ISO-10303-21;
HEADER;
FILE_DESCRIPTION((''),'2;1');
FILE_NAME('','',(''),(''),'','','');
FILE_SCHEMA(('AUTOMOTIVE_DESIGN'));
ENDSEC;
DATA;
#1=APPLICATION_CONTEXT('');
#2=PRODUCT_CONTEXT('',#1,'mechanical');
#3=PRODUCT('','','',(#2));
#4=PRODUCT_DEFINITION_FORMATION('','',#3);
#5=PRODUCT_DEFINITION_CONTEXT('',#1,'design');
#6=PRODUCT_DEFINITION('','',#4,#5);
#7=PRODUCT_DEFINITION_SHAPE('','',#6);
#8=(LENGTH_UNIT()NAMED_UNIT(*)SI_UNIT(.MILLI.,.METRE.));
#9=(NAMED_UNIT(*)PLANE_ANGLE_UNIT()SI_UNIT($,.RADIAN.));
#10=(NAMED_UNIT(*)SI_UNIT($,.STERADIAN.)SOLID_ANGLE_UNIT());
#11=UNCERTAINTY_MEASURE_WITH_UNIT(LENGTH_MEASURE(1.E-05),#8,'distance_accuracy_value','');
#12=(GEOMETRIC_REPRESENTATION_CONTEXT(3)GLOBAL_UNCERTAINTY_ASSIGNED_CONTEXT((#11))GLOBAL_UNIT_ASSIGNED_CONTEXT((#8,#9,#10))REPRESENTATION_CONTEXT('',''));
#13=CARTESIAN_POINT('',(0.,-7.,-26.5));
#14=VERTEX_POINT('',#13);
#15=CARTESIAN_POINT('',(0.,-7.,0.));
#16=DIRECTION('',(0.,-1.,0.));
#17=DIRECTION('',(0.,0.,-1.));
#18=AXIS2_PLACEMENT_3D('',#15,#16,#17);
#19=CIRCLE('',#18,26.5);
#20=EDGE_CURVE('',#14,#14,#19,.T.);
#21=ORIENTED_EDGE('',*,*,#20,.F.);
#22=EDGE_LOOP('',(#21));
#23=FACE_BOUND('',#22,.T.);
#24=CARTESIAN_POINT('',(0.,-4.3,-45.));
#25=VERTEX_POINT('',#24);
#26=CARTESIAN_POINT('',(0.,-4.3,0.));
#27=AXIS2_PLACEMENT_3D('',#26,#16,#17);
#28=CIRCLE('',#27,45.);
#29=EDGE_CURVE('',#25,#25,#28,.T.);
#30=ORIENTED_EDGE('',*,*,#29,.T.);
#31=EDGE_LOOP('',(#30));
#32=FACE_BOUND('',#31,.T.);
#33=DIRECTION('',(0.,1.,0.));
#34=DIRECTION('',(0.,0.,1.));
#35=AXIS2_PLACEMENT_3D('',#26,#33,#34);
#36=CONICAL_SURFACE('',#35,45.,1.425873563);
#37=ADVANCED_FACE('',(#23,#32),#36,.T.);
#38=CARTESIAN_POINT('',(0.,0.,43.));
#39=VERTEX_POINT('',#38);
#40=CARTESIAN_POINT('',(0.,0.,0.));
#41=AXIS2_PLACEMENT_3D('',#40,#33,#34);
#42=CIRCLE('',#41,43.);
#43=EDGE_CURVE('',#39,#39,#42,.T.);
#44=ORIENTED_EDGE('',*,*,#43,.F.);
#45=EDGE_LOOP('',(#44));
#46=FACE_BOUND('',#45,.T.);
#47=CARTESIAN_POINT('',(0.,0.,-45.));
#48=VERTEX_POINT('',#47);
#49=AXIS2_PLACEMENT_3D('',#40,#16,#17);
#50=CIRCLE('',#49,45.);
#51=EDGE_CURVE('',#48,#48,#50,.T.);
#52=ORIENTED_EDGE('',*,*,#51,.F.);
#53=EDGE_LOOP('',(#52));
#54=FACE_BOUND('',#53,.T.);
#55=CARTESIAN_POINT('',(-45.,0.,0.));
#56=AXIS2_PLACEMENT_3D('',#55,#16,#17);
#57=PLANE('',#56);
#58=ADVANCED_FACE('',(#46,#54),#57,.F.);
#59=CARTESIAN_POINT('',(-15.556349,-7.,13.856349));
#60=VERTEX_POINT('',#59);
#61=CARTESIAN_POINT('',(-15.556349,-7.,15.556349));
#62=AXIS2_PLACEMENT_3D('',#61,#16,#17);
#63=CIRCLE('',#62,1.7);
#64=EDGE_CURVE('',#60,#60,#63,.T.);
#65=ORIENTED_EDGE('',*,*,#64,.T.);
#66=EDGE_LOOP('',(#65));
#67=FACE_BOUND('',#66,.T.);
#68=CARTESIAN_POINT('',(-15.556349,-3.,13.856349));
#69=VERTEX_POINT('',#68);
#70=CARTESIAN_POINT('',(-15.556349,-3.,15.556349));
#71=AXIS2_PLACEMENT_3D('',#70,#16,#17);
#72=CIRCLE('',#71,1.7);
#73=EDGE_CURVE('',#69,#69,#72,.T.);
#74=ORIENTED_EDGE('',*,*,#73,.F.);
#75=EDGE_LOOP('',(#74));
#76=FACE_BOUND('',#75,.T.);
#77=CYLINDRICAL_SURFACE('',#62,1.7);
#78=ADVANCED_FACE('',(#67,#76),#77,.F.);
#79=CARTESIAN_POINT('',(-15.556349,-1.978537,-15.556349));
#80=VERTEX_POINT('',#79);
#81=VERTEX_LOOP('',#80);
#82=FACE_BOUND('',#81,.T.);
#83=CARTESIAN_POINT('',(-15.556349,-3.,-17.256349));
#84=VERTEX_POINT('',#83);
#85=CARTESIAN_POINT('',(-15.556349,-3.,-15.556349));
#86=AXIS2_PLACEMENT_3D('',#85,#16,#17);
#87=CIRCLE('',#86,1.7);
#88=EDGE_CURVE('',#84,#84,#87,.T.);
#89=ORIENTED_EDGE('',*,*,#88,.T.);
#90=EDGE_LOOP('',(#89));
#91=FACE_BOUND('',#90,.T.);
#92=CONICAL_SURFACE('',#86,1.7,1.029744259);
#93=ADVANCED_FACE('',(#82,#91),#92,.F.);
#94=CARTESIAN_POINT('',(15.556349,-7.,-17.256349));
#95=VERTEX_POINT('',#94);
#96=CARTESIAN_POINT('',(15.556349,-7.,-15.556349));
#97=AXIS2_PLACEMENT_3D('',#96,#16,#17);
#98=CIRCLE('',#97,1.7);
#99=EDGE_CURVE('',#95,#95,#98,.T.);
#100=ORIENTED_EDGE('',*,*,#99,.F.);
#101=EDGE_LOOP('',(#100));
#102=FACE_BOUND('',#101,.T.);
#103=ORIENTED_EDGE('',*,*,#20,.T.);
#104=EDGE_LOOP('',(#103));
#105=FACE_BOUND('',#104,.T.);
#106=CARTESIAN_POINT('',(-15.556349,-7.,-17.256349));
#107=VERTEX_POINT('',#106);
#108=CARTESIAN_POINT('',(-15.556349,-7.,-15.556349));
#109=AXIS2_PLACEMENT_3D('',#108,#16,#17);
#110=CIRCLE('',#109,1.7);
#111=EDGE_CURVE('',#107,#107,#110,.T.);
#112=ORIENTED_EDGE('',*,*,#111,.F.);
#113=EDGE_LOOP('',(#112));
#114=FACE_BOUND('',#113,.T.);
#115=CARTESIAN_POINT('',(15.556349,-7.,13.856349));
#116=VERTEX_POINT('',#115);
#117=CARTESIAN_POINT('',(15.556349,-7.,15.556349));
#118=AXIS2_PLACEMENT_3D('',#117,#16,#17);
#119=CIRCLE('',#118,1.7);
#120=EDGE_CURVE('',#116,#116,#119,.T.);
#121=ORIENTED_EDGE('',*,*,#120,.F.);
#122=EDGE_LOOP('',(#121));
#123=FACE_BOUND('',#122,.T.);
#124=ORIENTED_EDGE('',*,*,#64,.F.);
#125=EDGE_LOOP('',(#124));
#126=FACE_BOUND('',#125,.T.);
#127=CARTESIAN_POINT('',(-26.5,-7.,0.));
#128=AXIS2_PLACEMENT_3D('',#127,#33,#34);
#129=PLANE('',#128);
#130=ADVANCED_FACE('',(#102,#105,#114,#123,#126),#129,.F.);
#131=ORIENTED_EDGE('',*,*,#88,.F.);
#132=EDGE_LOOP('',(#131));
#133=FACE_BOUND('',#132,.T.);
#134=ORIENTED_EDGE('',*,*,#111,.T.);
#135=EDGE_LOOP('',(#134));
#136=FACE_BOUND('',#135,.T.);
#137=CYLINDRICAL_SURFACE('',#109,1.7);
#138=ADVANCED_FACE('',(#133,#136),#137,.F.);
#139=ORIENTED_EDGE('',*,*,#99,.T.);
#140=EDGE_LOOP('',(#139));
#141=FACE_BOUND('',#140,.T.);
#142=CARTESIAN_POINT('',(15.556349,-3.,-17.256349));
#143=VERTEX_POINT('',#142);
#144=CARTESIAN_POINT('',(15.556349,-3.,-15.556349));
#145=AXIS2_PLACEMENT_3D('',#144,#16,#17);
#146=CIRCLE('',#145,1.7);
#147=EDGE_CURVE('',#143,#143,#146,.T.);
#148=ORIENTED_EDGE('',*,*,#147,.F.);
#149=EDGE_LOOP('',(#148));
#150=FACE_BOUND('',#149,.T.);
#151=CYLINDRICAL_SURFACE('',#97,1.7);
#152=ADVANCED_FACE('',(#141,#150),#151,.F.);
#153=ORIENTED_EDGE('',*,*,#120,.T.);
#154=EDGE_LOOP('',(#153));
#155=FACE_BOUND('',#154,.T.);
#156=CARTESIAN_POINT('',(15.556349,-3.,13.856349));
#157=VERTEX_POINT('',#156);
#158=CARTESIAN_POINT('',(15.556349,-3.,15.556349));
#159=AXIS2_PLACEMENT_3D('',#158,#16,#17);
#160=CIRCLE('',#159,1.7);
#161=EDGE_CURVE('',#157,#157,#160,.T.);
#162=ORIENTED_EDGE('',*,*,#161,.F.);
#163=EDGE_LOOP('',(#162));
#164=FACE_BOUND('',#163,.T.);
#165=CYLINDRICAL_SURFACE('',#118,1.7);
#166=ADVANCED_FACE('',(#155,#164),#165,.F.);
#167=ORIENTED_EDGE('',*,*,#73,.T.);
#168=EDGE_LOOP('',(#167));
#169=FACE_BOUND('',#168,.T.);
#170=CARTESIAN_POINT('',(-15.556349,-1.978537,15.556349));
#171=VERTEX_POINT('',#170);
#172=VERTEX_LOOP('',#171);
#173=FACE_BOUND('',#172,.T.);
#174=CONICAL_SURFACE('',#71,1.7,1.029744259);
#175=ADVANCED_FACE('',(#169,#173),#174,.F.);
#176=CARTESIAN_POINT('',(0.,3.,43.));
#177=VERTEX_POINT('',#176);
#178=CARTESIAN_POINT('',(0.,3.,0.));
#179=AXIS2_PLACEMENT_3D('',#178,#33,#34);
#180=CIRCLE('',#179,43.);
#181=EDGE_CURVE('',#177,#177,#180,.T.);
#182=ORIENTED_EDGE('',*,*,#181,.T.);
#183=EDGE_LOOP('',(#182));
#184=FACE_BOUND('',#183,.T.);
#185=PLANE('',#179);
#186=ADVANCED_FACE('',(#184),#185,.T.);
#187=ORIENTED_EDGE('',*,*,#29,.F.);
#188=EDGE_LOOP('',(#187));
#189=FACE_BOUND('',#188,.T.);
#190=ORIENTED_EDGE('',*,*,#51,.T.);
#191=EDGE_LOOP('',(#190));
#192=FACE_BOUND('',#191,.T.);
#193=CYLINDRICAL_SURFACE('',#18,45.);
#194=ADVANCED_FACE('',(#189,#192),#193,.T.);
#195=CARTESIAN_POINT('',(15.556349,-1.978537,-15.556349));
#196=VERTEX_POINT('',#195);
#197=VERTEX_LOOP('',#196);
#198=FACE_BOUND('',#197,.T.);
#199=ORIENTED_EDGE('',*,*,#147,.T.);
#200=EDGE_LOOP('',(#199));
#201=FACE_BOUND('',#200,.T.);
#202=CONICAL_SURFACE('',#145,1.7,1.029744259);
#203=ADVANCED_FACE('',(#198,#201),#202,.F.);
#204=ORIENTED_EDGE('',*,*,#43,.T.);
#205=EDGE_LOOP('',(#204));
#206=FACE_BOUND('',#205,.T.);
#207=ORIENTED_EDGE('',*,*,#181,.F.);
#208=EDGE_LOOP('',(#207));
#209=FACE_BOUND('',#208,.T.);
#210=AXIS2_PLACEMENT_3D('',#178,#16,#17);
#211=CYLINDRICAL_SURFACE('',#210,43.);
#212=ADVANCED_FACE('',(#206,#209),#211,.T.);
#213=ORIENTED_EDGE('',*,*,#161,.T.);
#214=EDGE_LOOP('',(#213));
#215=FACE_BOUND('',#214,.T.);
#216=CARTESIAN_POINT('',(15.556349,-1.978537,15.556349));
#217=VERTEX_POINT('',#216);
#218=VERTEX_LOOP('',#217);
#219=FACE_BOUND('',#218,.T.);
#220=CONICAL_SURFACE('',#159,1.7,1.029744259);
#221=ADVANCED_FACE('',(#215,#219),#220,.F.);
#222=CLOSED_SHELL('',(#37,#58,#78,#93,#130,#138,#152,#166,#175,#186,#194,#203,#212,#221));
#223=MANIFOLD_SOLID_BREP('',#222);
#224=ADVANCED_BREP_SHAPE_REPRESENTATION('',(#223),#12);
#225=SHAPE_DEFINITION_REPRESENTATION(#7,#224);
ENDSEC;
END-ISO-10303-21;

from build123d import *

# Parameters (mm, degrees)
SKETCH2_R                = 43
BOSS_EXTRUDE1_DEPTH      = 3
M3_CLEARANCE_HOLE1_D     = 3.4
M3_CLEARANCE_HOLE1_DEPTH = 4
M3_CLEARANCE_HOLE1_TIP   = 1.021463052


with BuildPart() as part:
    # Sketch1 → Revolve1 (revolve)
    with BuildSketch(Plane.XY, mode=Mode.PRIVATE) as revolve1_sk:
        Polygon((-26.5, -7), (-45, -4.3), (-45, 0), (0, 0), (0, -7), align=None)
    revolve(revolve1_sk.sketch.rotate(Axis((0, -7, 0), (0, 1, 0)), 270), axis=Axis((0, -7, 0), (0, 1, 0)))

    # Sketch2 → Boss-Extrude1 (add)
    with BuildSketch(Plane(origin=(0, 0, 0), x_dir=(1, 0, 0), z_dir=(0, 1, 0))):
        with Locations(Location((0, 0, 0), (0, 0, 270))):
            Circle(SKETCH2_R)
    extrude(amount=BOSS_EXTRUDE1_DEPTH)

    # M3 Clearance Hole1
    with Locations(Plane(origin=(0, -7, 0), x_dir=(-1, 0, 0), z_dir=(0, -1, 0))):
        with Locations((15.556349186, -15.556349186), (15.556349186, 15.556349186), (-15.556349186, 15.556349186), (-15.556349186, -15.556349186)):
            Hole(M3_CLEARANCE_HOLE1_D / 2, depth=M3_CLEARANCE_HOLE1_DEPTH)
            with Locations((0, 0, -(M3_CLEARANCE_HOLE1_DEPTH + M3_CLEARANCE_HOLE1_TIP / 2))):  # 118° drill point
                Cone(0, M3_CLEARANCE_HOLE1_D / 2, M3_CLEARANCE_HOLE1_TIP, mode=Mode.SUBTRACT)


solid = part.part
